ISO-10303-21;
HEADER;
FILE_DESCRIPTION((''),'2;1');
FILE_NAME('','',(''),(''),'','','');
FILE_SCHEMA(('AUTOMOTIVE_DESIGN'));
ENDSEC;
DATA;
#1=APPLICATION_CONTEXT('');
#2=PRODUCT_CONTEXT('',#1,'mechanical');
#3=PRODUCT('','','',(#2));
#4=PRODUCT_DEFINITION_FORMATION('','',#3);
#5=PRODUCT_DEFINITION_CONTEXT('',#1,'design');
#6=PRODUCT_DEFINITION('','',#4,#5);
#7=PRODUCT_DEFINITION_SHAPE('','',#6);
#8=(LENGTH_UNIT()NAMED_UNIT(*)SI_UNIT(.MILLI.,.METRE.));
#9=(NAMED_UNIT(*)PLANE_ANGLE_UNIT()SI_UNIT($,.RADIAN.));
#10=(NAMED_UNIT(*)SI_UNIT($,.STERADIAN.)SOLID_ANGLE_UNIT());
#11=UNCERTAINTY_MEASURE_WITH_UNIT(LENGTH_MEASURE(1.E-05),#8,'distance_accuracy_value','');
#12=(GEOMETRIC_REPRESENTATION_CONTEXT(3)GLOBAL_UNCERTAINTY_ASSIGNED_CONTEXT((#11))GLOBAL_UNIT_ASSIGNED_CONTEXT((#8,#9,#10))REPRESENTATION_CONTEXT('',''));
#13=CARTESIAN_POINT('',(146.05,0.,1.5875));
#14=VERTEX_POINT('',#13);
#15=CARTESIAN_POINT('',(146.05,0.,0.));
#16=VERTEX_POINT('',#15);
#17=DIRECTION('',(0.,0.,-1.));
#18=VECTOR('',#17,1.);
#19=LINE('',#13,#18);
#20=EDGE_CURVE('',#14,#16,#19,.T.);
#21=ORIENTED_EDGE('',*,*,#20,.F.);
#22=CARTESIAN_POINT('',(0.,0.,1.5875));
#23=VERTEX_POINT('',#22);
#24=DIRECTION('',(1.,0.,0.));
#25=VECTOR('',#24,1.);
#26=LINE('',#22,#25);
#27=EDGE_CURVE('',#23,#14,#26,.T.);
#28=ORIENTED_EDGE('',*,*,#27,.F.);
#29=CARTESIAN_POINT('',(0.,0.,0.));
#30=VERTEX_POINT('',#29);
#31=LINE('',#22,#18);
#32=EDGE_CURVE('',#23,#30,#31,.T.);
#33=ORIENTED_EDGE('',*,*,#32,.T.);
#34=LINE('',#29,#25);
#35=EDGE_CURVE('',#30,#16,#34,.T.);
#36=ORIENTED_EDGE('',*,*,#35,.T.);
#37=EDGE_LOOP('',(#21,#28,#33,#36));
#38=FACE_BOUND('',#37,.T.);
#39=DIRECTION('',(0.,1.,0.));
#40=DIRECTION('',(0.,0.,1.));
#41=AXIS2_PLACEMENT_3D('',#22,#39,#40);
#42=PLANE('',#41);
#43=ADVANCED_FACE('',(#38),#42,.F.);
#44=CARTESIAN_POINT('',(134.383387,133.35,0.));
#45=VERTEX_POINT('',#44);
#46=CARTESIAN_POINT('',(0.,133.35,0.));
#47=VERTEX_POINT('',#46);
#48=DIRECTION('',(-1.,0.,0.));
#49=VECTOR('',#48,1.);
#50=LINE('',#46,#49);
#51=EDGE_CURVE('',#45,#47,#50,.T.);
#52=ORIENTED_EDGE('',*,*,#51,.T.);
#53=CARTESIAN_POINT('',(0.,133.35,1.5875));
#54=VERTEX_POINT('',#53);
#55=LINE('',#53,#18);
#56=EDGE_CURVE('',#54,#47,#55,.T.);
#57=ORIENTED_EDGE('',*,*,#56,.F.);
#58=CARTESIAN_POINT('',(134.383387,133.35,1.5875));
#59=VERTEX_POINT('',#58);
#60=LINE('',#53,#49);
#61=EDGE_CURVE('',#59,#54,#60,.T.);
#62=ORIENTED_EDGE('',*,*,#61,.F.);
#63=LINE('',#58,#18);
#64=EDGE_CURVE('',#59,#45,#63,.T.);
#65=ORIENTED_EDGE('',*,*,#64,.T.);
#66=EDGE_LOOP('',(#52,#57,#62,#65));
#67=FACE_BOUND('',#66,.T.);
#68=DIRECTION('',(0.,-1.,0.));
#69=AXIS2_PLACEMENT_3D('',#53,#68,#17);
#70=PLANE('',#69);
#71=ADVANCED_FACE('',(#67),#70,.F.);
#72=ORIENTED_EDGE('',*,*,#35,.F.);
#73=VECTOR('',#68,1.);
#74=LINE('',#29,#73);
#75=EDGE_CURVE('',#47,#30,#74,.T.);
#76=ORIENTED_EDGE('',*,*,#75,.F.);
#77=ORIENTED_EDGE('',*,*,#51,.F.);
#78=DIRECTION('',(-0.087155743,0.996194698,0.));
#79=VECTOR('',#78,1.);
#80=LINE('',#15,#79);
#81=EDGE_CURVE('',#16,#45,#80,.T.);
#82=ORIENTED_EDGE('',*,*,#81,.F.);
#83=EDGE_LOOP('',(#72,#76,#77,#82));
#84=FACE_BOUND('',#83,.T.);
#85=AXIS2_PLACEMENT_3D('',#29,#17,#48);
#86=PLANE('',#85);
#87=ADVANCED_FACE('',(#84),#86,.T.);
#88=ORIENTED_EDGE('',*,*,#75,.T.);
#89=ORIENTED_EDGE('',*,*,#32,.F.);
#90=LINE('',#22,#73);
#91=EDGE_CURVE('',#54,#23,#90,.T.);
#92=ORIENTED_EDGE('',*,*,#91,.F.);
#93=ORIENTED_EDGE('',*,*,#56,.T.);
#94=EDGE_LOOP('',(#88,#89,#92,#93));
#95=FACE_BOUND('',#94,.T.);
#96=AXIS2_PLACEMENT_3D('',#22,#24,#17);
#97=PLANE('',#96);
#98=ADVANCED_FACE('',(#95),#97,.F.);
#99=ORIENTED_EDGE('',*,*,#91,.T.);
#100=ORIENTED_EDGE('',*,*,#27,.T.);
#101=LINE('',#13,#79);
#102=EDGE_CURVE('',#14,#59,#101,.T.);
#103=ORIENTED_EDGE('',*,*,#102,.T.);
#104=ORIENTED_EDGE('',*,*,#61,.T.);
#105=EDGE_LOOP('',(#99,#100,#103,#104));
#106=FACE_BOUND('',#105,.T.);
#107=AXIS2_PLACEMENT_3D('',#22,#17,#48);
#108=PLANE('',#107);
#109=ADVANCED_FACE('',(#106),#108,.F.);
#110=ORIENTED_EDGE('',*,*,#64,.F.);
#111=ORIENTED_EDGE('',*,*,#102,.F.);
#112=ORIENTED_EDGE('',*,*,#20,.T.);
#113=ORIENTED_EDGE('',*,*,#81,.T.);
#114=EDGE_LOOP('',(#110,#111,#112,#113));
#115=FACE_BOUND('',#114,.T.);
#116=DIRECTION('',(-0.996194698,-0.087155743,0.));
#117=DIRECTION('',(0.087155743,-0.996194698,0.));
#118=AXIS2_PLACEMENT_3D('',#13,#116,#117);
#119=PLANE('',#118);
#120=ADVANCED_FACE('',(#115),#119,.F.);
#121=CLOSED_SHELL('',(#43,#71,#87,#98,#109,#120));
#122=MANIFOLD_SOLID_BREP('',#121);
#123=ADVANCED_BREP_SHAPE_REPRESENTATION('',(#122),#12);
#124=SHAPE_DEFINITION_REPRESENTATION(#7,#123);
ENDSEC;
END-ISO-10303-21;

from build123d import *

# Parameters (mm, degrees)
BOSS_EXTRUDE2_DEPTH = 1.5875


with BuildPart() as part:
    # Sketch1 → Boss-Extrude2 (new body)
    with BuildSketch(Plane.XY):
        Polygon((146.05, 0), (134.383386719, 133.35), (0, 133.35), (0, 0), align=None)
    extrude(amount=BOSS_EXTRUDE2_DEPTH)


solid = part.part
